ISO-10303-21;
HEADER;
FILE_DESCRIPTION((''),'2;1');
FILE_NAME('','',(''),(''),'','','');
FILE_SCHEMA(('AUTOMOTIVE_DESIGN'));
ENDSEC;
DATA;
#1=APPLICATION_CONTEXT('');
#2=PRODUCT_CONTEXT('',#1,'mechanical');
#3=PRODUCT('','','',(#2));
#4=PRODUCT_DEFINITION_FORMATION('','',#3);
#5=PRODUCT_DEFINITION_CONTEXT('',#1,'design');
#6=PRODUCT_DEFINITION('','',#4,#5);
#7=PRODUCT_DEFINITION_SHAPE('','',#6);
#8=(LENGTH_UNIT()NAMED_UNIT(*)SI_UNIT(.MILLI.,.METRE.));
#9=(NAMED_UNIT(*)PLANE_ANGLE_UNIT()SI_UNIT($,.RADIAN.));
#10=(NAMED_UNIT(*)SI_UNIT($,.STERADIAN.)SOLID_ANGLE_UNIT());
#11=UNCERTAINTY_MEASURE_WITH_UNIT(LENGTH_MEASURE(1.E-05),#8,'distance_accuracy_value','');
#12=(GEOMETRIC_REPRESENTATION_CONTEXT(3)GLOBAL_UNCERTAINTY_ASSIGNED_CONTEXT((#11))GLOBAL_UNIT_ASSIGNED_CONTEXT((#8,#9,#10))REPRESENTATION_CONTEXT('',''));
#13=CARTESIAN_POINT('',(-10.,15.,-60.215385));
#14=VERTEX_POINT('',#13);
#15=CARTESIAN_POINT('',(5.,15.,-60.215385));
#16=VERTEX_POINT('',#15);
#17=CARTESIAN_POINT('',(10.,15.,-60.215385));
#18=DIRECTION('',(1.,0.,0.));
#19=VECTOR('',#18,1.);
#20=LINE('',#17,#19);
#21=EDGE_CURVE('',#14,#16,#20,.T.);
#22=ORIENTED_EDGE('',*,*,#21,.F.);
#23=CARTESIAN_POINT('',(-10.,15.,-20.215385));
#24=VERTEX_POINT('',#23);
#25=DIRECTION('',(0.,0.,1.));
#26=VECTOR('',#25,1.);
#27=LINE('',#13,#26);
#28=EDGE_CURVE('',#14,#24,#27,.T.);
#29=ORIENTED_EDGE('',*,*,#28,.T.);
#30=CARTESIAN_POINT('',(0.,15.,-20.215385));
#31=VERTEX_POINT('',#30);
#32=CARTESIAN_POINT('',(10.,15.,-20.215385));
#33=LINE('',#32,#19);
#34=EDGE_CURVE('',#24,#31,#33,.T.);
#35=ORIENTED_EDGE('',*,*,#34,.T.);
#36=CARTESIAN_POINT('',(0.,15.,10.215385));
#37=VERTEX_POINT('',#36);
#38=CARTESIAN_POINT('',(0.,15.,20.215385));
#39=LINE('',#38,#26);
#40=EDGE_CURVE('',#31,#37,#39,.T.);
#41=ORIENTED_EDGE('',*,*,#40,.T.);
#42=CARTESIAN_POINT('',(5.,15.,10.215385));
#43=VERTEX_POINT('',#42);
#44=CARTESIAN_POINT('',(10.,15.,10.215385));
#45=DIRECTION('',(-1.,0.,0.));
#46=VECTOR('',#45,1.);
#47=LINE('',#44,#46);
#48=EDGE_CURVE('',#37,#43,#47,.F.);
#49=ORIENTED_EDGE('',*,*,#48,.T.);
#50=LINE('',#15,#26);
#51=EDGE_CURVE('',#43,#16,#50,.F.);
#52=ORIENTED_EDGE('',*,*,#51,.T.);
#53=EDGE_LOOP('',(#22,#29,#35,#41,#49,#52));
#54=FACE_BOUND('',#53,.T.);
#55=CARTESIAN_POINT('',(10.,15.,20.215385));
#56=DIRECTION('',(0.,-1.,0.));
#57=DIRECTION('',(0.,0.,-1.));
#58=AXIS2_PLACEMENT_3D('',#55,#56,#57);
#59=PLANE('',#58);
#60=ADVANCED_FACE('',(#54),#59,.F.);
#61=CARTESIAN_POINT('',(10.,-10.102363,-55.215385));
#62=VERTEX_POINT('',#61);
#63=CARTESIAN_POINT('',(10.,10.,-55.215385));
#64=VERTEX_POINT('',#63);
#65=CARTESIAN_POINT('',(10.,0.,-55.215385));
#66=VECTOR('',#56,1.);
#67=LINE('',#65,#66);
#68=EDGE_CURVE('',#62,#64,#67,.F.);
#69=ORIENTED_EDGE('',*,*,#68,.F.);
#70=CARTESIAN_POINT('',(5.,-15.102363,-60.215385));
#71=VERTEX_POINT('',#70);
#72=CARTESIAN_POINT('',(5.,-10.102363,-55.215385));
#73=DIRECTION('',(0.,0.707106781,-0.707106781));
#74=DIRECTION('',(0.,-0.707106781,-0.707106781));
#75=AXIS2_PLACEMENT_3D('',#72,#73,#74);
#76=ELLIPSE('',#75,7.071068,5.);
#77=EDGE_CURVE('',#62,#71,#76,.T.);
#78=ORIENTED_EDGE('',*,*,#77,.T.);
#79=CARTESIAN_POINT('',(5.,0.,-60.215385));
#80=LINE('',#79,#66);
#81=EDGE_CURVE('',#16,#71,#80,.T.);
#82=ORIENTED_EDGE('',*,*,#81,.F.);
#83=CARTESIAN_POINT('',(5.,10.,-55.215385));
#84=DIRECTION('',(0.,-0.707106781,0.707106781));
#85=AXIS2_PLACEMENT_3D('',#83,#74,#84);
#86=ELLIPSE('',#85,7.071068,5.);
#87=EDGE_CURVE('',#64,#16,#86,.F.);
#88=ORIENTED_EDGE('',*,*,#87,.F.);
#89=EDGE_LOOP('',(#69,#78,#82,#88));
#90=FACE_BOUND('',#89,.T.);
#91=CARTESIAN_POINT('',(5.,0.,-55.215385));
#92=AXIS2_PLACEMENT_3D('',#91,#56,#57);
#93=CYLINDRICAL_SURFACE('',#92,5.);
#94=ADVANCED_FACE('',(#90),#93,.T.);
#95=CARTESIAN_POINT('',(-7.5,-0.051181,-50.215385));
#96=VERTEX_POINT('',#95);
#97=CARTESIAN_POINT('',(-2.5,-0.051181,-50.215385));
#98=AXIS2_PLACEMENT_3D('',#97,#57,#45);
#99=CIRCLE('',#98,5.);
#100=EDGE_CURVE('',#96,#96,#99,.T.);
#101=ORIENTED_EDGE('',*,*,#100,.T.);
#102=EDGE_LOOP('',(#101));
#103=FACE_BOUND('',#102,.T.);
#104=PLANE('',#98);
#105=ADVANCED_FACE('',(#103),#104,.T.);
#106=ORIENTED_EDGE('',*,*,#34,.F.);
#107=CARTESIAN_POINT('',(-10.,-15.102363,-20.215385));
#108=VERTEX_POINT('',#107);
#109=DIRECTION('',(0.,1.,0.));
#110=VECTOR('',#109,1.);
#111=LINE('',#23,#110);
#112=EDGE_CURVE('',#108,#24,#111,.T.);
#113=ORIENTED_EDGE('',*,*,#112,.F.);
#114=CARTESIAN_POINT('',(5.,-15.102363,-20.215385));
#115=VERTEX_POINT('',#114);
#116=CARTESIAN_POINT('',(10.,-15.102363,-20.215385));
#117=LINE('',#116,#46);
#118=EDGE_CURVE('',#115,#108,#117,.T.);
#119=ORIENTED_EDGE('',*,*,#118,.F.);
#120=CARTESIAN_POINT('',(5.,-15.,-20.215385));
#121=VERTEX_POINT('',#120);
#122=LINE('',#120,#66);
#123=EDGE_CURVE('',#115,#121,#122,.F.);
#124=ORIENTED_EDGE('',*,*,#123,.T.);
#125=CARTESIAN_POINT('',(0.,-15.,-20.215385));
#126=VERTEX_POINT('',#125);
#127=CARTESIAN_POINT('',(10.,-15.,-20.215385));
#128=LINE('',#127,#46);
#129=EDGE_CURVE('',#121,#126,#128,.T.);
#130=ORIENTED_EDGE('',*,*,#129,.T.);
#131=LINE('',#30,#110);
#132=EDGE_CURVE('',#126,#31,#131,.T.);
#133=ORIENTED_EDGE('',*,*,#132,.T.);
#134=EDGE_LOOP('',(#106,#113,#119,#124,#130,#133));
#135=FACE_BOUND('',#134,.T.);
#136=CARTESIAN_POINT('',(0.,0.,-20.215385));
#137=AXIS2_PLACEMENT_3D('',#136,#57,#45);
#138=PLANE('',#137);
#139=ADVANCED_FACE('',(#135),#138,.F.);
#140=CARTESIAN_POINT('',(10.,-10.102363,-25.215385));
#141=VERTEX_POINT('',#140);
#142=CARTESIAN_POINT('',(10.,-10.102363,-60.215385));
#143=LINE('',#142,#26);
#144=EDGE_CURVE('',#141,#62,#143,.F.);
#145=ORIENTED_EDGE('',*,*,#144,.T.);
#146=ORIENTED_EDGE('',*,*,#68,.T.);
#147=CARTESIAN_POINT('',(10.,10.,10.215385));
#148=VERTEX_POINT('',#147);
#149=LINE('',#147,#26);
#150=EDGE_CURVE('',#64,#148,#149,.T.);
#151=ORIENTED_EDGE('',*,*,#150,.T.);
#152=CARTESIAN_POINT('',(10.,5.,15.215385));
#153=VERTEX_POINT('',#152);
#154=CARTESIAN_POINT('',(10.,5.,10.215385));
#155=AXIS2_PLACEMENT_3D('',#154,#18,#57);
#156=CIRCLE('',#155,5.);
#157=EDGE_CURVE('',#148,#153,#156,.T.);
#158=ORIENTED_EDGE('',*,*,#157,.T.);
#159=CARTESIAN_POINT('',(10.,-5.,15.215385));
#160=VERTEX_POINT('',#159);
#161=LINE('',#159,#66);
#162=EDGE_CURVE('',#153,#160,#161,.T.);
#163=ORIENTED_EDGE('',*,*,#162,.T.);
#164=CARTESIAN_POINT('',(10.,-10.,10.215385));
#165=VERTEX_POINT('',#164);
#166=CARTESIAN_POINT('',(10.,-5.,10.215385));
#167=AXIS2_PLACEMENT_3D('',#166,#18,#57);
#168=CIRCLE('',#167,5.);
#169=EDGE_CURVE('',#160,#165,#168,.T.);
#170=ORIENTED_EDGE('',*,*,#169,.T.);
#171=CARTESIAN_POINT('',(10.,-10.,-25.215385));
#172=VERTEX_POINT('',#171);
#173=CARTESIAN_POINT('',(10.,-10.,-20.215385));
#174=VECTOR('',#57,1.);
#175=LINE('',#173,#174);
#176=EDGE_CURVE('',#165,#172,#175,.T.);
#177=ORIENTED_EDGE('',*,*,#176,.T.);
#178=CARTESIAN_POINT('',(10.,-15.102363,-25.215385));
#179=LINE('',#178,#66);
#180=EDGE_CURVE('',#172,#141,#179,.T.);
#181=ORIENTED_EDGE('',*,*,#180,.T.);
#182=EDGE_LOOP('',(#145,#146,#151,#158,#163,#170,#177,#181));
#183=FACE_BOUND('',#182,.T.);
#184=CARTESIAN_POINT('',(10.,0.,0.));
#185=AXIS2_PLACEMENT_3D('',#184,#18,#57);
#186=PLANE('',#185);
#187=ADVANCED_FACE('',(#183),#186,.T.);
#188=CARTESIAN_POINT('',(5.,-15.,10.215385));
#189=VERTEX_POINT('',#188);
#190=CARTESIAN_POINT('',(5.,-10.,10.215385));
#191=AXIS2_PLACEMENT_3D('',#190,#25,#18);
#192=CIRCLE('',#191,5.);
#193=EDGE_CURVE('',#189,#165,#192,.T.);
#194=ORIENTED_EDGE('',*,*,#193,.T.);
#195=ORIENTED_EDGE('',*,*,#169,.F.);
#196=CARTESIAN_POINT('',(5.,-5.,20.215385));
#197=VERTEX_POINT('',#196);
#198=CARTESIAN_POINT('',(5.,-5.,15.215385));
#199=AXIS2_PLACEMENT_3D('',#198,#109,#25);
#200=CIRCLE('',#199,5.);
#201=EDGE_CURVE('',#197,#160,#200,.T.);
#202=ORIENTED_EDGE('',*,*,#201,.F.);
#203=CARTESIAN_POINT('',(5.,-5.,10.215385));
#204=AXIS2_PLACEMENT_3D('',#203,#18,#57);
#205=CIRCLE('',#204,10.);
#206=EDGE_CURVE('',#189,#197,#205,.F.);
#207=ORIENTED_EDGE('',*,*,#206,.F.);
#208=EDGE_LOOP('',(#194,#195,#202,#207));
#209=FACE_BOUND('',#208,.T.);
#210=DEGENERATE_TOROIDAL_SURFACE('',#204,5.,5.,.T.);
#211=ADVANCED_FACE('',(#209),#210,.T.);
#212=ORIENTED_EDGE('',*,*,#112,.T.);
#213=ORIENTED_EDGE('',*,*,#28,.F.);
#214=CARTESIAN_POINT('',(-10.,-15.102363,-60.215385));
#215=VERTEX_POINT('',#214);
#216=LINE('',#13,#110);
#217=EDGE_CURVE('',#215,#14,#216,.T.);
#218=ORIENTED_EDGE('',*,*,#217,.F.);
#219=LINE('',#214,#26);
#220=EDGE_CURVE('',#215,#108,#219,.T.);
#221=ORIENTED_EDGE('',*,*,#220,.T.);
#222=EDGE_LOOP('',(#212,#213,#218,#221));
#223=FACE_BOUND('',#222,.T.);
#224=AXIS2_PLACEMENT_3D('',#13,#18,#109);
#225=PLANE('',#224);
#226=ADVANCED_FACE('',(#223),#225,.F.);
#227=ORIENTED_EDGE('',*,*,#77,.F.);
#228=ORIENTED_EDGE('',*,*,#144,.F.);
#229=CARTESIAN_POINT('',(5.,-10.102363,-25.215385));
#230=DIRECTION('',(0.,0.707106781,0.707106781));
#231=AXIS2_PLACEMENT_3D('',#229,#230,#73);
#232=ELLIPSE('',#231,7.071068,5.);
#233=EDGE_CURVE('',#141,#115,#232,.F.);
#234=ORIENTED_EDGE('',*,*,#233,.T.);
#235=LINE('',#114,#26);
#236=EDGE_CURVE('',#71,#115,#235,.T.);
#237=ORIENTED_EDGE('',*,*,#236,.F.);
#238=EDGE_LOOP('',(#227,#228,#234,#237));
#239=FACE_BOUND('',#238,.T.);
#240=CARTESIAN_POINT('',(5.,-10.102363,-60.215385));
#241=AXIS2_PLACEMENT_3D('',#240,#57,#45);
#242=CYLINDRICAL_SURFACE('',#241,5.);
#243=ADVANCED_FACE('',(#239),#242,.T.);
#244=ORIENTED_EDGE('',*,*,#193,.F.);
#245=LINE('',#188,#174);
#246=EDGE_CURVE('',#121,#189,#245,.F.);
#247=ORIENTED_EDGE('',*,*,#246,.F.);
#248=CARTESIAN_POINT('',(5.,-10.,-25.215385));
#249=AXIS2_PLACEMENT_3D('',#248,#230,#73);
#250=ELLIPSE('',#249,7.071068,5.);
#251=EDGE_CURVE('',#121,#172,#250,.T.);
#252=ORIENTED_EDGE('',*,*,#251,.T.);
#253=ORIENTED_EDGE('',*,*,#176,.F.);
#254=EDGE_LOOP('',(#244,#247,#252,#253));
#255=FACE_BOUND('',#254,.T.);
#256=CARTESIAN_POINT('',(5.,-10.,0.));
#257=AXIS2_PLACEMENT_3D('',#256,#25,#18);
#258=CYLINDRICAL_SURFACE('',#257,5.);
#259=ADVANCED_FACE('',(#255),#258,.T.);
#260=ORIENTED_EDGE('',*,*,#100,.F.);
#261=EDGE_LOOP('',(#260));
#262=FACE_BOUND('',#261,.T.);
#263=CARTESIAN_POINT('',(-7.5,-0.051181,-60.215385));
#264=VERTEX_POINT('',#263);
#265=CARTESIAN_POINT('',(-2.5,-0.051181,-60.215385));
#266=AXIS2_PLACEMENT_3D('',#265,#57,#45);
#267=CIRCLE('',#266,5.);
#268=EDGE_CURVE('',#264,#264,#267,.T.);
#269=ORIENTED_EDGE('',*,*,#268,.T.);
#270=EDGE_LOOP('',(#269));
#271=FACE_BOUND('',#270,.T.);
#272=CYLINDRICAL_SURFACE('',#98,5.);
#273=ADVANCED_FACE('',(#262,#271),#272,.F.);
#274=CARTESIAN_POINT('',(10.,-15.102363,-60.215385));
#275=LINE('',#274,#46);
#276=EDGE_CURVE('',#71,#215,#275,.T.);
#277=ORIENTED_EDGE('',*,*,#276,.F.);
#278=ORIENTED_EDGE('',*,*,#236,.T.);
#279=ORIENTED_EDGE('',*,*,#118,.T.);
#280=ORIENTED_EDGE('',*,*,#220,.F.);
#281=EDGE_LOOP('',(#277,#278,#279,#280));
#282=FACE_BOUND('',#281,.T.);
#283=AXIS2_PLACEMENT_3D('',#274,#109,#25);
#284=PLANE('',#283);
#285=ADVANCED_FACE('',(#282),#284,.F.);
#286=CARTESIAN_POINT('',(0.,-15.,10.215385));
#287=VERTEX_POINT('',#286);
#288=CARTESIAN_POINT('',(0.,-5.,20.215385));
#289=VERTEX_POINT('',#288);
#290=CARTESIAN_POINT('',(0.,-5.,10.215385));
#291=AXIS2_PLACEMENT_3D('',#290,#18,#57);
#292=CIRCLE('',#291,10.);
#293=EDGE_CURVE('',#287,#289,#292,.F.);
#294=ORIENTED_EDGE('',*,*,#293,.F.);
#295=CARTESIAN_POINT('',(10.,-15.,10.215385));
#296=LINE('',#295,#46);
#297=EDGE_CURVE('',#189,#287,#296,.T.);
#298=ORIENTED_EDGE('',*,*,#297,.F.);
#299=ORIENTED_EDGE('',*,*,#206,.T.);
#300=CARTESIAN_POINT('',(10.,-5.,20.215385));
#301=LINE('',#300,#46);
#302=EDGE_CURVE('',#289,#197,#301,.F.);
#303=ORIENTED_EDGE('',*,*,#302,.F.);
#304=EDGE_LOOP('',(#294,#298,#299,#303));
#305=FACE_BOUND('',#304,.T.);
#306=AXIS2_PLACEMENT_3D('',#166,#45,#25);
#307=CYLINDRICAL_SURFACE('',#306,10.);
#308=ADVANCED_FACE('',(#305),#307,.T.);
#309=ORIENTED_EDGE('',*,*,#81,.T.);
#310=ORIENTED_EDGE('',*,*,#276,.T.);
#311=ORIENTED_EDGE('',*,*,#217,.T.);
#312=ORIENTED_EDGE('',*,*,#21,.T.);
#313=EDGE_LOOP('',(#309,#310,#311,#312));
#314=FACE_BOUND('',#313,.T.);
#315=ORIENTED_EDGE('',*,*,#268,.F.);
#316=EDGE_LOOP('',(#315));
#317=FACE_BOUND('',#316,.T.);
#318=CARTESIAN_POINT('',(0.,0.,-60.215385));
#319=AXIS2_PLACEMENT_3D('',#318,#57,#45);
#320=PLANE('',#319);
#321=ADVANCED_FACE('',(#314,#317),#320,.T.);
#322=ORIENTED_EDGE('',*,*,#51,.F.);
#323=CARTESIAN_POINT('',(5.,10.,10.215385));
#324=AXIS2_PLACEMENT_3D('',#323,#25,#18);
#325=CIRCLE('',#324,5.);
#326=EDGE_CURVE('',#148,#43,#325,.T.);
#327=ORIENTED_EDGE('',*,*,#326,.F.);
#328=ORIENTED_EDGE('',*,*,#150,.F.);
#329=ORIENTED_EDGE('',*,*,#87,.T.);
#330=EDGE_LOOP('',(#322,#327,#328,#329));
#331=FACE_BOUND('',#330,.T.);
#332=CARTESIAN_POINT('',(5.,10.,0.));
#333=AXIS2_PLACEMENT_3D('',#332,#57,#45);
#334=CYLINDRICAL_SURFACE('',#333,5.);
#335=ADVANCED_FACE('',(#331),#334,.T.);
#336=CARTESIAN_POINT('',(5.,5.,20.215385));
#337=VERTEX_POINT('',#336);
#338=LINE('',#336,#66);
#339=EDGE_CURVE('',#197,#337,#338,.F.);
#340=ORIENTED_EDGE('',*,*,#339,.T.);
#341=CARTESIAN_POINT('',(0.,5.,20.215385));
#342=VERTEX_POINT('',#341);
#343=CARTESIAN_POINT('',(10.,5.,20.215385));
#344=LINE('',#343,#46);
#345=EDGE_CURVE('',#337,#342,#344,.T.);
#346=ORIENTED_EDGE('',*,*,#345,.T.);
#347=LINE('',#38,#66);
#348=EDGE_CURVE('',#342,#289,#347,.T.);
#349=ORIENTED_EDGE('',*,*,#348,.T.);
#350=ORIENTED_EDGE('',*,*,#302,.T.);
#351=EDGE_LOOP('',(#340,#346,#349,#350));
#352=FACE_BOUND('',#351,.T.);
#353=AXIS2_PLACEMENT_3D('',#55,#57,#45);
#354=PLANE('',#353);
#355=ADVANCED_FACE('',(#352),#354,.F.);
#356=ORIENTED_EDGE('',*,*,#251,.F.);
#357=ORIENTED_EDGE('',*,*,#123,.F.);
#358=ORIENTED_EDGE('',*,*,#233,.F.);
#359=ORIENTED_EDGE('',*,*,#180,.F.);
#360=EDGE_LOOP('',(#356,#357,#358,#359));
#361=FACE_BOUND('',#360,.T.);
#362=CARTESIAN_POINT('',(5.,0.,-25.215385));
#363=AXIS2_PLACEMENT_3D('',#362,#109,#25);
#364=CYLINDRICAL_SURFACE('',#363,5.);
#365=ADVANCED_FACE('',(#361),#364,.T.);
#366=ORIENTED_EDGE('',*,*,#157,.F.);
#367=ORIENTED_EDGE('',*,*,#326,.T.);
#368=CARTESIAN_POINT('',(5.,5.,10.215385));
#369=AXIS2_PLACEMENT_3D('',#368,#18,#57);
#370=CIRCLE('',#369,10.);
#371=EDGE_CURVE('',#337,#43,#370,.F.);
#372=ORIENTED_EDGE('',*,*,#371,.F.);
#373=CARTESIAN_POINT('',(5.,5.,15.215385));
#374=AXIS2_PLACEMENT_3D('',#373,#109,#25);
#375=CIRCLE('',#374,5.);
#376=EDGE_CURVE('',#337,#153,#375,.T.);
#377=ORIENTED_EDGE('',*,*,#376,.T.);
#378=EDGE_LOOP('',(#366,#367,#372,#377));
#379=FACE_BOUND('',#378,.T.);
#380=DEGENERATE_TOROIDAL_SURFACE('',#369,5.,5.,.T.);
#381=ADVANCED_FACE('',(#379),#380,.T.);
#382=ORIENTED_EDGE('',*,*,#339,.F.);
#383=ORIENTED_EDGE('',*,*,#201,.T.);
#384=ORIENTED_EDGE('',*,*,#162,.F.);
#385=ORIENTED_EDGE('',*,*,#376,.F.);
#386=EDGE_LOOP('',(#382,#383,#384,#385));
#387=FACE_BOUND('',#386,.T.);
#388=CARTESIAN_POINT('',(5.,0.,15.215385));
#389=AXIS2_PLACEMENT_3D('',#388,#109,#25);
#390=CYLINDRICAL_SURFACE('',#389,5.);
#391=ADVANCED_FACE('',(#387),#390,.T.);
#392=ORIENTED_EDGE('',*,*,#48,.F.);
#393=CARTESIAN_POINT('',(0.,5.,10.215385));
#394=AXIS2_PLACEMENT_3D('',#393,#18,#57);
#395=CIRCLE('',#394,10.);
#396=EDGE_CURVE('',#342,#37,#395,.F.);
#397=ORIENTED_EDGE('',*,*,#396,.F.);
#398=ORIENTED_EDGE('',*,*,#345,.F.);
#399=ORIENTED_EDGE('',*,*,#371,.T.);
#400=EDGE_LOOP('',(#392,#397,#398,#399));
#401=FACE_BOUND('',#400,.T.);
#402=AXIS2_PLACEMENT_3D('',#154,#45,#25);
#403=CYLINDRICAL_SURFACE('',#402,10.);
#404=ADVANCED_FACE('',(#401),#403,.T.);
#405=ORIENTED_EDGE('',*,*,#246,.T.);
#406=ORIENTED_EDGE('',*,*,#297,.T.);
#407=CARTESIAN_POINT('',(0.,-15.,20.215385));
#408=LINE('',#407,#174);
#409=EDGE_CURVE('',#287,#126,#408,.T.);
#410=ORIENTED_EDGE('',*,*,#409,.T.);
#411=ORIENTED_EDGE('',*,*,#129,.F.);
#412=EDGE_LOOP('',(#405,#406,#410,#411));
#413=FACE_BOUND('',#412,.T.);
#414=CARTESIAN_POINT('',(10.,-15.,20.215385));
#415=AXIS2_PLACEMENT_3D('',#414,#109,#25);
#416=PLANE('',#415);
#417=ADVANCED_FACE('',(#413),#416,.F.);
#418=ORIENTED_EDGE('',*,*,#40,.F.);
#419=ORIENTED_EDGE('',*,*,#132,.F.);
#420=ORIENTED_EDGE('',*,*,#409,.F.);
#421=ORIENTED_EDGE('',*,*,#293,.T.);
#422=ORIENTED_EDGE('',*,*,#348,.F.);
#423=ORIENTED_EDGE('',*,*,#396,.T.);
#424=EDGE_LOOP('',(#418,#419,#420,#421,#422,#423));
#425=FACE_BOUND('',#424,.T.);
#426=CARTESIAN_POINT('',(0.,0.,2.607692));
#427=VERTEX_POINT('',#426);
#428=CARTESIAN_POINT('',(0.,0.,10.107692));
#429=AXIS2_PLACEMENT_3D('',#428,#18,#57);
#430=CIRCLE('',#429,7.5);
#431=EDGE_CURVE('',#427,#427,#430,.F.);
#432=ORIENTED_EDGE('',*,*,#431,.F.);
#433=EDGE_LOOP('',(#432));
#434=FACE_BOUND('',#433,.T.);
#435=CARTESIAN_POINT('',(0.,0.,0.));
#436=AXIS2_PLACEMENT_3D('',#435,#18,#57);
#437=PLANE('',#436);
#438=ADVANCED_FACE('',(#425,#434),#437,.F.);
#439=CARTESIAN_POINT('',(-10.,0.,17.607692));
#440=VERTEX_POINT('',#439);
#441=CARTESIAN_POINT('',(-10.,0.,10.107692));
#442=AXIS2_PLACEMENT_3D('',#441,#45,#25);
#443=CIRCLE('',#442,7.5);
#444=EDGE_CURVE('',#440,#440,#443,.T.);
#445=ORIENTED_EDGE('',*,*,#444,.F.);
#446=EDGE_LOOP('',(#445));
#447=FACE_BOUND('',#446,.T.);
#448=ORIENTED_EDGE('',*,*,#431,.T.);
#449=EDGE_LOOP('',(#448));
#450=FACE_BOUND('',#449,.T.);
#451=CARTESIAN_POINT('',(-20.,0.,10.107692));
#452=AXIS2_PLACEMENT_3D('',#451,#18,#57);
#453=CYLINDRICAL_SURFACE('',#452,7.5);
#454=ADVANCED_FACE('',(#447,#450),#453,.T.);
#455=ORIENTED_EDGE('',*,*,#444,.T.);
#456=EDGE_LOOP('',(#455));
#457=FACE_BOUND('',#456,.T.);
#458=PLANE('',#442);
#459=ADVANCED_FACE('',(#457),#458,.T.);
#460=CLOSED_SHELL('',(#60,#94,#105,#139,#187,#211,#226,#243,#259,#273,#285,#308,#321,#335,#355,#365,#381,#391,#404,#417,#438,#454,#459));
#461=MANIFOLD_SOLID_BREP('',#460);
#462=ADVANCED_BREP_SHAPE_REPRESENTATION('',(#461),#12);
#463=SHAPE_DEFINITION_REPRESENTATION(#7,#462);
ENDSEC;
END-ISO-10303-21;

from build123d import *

# Parameters (mm, degrees)
SKETCH1_W           = 40.43076923
SKETCH1_H           = 30
BOSS_EXTRUDE1_DEPTH = 10
SKETCH2_R           = 7.5
BOSS_EXTRUDE2_DEPTH = 20
FILLET1_R           = 10
CUT_EXTRUDE1_START  = -10
SKETCH3_R           = 7.5
CUT_EXTRUDE1_DEPTH  = 10
SKETCH4_W           = 20
SKETCH4_H           = 30.102362665
BOSS_EXTRUDE3_DEPTH = 40
FILLET2_R           = 5
SKETCH5_R           = 5
CUT_EXTRUDE2_DEPTH  = 10


with BuildPart() as part:
    # Sketch1 → Boss-Extrude1 (new body)
    with BuildSketch(Plane(origin=(0, 0, 0), x_dir=(0, 0, -1), z_dir=(1, 0, 0))):
        Rectangle(SKETCH1_W, SKETCH1_H)
    extrude(amount=BOSS_EXTRUDE1_DEPTH)

    # Sketch2 → Boss-Extrude2 (add)
    with BuildSketch(Plane.ZY):
        with Locations(Location((10.107692308, 0, 0), (0, 0, 180))):
            Circle(SKETCH2_R)
    extrude(amount=BOSS_EXTRUDE2_DEPTH)

    # Fillet1
    fillet1_edges = [part.edges().sort_by_distance(p)[0] for p in [
        (5, -15, 20.215384615),
        (5, 15, 20.215384615),
    ]]
    fillet(fillet1_edges, radius=FILLET1_R)

    # Sketch3 → Cut-Extrude1 (cut)
    with BuildSketch(Plane.ZY.offset(20).offset(CUT_EXTRUDE1_START)):
        with Locations(Location((10.107692308, 0, 0), (0, 0, 180))):
            Circle(SKETCH3_R)
    extrude(amount=CUT_EXTRUDE1_DEPTH, mode=Mode.SUBTRACT)

    # Sketch4 → Boss-Extrude3 (add)
    with BuildSketch(Plane(origin=(0, 0, -20.215384615), x_dir=(-1, 0, 0), z_dir=(0, 0, -1))):
        with Locations((0, -0.051181332)):
            Rectangle(SKETCH4_W, SKETCH4_H)
    extrude(amount=BOSS_EXTRUDE3_DEPTH)

    # Fillet2
    fillet2_edges = [part.edges().sort_by_distance(p)[0] for p in [
        (10, -15, -5),
        (10, 0, 20.215384615),
        (10, 12.071067812, 17.286452427),
        (10, -12.071067812, 17.286452427),
        (10, -15.051181332, -20.215384615),
        (10, -15.102362665, -40.215384615),
        (10, -0.051181332, -60.215384615),
        (10, 15, -25),
    ]]
    fillet(fillet2_edges, radius=FILLET2_R)

    # Sketch5 → Cut-Extrude2 (cut)
    with BuildSketch(Plane(origin=(0, 0, -60.215384615), x_dir=(-1, 0, 0), z_dir=(0, 0, -1))):
        with Locations((2.5, -0.051181332)):
            Circle(SKETCH5_R)
    extrude(amount=-CUT_EXTRUDE2_DEPTH, mode=Mode.SUBTRACT)


solid = part.part
